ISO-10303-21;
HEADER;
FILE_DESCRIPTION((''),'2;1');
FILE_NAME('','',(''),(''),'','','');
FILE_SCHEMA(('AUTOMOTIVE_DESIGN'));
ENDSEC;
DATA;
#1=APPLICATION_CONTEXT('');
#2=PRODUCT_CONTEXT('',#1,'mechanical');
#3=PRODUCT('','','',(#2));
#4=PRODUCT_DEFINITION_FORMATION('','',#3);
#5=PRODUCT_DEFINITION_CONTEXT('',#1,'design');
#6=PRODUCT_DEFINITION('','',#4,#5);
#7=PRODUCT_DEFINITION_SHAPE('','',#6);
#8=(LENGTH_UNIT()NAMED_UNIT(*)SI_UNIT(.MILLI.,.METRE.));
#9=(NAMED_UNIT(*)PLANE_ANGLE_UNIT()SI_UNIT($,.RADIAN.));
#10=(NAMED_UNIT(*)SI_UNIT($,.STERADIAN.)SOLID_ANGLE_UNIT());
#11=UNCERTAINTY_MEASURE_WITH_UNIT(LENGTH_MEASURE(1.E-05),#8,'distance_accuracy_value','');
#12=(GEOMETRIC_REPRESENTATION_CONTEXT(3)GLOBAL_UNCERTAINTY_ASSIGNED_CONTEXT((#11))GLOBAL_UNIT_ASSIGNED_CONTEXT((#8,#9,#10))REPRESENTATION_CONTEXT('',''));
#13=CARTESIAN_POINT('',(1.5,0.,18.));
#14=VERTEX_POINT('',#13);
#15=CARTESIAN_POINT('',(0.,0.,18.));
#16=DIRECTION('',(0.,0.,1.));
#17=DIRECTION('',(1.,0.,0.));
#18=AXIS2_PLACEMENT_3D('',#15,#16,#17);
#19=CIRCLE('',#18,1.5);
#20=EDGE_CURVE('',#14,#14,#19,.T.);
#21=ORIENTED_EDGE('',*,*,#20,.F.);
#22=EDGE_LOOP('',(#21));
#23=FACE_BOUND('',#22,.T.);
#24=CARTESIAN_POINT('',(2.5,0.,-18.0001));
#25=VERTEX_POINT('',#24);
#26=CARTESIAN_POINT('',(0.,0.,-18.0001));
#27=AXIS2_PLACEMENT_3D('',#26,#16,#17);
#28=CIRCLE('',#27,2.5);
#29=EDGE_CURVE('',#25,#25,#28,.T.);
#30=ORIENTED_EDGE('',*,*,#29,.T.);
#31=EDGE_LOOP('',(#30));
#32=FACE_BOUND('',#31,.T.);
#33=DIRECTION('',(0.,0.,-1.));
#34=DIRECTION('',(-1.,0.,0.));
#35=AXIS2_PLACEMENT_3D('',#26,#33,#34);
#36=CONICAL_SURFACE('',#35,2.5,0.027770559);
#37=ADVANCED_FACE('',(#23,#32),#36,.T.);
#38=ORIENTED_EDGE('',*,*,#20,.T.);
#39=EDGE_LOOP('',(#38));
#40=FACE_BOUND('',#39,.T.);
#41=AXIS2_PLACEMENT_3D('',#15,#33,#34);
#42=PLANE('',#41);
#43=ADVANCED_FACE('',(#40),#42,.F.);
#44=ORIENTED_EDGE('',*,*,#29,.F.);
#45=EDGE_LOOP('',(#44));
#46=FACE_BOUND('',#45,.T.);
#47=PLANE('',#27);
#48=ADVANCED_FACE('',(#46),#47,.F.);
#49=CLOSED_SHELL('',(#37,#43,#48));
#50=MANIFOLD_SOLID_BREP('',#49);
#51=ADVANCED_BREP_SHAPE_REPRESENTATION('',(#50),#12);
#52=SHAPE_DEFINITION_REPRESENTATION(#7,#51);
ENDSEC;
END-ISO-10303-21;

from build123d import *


with BuildPart() as part:
    # Sketch1 → Revolve1 (revolve)
    with BuildSketch(Plane(origin=(0, 0, 0), x_dir=(0, 0, -1), z_dir=(1, 0, 0)), mode=Mode.PRIVATE) as revolve1_sk:
        Polygon((-18, 0), (18, 0), (18.0001, 2.5), (-18, 1.5), align=None)
    revolve(revolve1_sk.sketch.rotate(Axis((0, 0, 18), (0, 0, -1)), 90), axis=Axis((0, 0, 18), (0, 0, -1)))


solid = part.part
